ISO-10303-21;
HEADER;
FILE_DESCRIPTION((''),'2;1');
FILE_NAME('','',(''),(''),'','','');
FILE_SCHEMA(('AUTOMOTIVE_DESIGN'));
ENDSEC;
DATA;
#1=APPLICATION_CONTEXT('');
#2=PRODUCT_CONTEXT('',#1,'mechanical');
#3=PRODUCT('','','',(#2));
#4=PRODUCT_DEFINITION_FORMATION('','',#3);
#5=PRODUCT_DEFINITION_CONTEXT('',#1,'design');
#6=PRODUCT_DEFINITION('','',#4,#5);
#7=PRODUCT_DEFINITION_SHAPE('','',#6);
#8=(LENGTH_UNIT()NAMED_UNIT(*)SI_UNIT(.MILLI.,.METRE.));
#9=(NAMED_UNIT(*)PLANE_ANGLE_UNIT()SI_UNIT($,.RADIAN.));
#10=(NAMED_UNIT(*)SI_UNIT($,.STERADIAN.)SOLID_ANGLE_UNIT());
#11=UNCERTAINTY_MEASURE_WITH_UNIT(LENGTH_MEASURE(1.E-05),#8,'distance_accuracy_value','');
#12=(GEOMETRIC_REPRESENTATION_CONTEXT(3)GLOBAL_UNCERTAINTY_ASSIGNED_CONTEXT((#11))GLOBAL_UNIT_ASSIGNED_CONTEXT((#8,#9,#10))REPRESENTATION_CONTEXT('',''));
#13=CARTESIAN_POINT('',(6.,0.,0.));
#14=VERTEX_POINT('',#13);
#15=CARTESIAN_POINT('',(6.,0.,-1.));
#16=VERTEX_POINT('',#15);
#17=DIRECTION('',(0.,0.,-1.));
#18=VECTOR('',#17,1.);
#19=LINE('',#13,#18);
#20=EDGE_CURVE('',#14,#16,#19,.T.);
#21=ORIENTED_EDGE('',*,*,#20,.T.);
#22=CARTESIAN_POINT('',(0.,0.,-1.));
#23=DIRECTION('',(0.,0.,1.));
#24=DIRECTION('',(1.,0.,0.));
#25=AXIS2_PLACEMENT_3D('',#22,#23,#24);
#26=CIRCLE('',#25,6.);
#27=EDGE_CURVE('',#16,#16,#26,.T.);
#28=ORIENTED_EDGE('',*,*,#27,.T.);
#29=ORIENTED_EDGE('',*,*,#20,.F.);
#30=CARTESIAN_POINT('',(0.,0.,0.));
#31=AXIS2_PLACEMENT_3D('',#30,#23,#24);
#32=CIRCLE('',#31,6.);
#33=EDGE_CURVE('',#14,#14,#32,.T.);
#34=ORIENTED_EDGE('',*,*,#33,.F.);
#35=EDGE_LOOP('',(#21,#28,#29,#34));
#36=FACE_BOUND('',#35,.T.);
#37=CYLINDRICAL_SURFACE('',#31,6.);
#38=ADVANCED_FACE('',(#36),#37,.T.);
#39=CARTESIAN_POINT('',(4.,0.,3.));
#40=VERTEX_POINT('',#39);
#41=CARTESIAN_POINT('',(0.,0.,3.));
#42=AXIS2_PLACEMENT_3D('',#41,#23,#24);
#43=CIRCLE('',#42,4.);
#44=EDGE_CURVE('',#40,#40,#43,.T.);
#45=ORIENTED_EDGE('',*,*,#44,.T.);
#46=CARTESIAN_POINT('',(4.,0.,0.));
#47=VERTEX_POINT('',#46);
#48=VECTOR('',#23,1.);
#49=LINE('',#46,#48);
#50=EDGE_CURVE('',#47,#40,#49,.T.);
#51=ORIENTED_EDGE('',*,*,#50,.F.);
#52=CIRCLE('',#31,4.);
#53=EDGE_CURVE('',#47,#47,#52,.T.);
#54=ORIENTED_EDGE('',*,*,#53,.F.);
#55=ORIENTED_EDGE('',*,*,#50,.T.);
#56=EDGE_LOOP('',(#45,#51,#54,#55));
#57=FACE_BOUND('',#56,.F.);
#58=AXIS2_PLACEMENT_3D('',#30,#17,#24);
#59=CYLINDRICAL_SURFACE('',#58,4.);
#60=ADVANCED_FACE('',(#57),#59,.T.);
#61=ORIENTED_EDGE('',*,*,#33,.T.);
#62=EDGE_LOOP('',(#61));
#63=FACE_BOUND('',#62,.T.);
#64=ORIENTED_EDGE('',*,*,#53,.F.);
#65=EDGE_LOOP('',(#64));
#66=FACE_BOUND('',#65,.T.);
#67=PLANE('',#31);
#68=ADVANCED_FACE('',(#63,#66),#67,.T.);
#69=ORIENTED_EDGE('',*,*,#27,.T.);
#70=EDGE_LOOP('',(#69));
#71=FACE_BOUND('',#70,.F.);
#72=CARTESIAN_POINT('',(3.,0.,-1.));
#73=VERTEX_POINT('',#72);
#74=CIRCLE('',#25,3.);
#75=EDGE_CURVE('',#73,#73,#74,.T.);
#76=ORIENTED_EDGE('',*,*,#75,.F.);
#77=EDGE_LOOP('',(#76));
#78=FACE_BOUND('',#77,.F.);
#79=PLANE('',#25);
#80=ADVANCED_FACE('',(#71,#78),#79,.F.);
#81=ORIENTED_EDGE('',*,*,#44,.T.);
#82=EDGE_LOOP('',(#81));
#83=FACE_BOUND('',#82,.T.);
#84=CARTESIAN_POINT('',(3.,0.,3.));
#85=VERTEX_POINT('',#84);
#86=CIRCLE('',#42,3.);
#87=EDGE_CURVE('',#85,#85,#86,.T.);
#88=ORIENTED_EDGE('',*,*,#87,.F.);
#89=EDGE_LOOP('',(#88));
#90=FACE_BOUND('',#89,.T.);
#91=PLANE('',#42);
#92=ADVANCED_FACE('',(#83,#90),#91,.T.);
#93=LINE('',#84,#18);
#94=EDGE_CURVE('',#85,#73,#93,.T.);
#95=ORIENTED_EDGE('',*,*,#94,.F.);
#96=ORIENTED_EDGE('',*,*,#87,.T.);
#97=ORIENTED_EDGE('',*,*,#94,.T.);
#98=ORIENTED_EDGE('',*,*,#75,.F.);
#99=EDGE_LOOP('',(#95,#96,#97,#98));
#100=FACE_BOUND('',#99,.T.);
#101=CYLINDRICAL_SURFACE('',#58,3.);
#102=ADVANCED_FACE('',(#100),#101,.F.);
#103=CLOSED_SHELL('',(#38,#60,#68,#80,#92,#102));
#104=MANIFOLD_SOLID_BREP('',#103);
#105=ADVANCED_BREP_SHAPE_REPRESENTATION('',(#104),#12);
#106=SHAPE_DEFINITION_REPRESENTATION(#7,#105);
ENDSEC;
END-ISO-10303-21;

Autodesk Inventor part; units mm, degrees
ref_plane "YZ Plane" through (0, 0, 0) normal (1, 0, 0) x (0, 1, 0)
ref_plane "XZ Plane" through (0, 0, 0) normal (0, 1, 0) x (-1, 0, 0)
ref_plane "XY Plane" through (0, 0, 0) normal (0, 0, 1) x (1, 0, 0)
sketch "スケッチ1" plane through (0, 0, 0) normal (0, 0, 1) x (1, 0, 0)
  circle A0 centre (0, 0) radius 3
  circle A1 centre (0, 0) radius 4
  circle A2 centre (0, 0) radius 6
  dimension "d0" = 6
  dimension "d1" = 8
  dimension "d4" = 12
extrude "押し出し1" add sketch "スケッチ1" along normal blind 3 contours A1
extrude "押し出し2" add sketch "スケッチ1" against normal blind 1 contours A1 | A2
properties part number "オイレスFd6D8L4" material "アセタール樹脂、黒"
